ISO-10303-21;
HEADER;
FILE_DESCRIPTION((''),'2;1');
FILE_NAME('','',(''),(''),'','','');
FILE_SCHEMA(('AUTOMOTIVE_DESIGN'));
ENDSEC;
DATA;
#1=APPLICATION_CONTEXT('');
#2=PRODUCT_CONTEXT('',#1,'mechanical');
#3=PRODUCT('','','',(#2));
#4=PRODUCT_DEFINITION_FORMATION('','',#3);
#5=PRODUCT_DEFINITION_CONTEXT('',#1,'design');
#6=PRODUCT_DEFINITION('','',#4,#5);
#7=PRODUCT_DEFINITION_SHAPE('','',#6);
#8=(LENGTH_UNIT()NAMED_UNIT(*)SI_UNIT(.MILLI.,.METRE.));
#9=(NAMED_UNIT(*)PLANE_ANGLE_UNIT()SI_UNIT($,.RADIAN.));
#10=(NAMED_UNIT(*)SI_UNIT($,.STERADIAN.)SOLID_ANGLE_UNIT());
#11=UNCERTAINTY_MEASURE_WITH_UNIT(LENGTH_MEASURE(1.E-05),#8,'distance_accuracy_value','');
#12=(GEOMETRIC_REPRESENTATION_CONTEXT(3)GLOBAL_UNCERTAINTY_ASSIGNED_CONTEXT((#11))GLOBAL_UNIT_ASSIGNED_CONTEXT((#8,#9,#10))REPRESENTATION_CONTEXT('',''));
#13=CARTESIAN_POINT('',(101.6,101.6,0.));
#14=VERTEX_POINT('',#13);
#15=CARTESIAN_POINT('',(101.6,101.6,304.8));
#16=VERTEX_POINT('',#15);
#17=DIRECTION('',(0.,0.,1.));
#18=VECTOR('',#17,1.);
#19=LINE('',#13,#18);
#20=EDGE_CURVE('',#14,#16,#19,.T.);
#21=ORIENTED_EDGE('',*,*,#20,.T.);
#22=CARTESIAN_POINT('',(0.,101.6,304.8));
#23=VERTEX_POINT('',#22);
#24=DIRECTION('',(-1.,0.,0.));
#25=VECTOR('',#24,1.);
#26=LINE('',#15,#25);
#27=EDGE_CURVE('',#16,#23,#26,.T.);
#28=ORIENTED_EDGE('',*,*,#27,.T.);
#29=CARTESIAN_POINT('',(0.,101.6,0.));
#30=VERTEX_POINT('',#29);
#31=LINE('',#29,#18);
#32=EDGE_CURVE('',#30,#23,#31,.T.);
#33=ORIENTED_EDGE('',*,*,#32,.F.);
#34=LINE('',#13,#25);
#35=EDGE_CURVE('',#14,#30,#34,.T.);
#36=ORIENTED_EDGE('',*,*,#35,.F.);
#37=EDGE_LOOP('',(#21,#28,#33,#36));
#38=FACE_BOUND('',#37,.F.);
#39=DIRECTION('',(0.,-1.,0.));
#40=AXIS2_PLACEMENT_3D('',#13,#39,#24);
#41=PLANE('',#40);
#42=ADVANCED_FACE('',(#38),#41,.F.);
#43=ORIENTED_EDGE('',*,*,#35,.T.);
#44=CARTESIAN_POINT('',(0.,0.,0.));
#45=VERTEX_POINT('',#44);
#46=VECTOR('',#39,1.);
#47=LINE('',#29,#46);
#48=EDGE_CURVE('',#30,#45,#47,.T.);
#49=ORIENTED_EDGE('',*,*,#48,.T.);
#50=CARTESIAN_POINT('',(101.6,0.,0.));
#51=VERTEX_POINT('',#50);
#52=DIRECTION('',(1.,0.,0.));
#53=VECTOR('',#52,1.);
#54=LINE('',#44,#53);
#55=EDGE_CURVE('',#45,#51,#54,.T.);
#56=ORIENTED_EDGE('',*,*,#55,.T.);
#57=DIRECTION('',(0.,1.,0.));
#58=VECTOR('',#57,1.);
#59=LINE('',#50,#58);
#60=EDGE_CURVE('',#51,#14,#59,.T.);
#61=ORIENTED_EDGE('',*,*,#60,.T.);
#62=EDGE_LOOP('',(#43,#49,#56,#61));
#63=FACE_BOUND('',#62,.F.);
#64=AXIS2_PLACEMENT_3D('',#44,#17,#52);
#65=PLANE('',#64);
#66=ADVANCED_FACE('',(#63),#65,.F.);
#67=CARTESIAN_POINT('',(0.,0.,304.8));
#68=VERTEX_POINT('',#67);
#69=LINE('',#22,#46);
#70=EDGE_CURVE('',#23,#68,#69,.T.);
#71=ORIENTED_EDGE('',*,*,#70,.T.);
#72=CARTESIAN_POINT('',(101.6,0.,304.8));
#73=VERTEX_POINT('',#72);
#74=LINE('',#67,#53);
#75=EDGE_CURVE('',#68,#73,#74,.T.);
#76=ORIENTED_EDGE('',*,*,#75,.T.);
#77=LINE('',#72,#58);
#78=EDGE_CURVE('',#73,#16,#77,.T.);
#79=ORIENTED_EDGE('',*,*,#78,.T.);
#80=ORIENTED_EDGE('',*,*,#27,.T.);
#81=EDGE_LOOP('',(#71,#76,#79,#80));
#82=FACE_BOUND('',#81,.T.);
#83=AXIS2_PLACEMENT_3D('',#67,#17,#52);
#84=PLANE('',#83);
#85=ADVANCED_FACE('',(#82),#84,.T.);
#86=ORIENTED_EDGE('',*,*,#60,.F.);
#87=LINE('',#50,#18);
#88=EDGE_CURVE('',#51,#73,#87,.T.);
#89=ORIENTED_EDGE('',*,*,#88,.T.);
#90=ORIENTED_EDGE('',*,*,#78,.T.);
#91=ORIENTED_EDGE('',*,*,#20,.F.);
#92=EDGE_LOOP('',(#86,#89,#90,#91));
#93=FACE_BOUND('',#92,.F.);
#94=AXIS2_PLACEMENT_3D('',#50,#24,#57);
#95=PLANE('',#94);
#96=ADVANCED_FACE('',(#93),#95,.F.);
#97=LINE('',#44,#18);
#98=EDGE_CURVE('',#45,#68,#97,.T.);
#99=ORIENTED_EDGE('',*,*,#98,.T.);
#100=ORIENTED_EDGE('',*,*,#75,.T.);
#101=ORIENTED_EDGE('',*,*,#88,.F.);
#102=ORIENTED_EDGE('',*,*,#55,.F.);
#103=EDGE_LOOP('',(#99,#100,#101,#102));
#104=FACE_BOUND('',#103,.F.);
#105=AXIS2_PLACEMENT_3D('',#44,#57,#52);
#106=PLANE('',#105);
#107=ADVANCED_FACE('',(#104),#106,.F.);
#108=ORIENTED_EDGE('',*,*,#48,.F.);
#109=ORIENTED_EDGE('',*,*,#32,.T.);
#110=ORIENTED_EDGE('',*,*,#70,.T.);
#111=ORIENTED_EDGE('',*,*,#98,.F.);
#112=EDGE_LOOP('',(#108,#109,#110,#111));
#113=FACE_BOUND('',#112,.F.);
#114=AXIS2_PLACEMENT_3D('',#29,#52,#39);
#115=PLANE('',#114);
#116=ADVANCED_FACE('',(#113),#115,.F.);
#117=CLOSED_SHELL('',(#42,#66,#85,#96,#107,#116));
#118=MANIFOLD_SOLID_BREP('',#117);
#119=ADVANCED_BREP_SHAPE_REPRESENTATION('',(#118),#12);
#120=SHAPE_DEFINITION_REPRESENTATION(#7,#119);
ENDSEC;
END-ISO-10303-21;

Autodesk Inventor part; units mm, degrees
ref_plane "YZ Plane" through (0, 0, 0) normal (1, 0, 0) x (0, 1, 0)
ref_plane "XZ Plane" through (0, 0, 0) normal (0, 1, 0) x (-1, 0, 0)
ref_plane "XY Plane" through (0, 0, 0) normal (0, 0, 1) x (1, 0, 0)
sketch "Sketch1" plane through (0, 0, 0) normal (0, 0, 1) x (1, 0, 0)
  line L0 (0, 0) -> (101.6, 0)
  line L1 (101.6, 0) -> (101.6, 101.6)
  line L2 (101.6, 101.6) -> (0, 101.6)
  line L3 (0, 101.6) -> (0, 0)
  dimension "d0" = 101.6
  dimension "d1" = 101.6
extrude "Extrusion1" add sketch "Sketch1" along normal blind 304.8
properties part number "KinectRepresentation"
